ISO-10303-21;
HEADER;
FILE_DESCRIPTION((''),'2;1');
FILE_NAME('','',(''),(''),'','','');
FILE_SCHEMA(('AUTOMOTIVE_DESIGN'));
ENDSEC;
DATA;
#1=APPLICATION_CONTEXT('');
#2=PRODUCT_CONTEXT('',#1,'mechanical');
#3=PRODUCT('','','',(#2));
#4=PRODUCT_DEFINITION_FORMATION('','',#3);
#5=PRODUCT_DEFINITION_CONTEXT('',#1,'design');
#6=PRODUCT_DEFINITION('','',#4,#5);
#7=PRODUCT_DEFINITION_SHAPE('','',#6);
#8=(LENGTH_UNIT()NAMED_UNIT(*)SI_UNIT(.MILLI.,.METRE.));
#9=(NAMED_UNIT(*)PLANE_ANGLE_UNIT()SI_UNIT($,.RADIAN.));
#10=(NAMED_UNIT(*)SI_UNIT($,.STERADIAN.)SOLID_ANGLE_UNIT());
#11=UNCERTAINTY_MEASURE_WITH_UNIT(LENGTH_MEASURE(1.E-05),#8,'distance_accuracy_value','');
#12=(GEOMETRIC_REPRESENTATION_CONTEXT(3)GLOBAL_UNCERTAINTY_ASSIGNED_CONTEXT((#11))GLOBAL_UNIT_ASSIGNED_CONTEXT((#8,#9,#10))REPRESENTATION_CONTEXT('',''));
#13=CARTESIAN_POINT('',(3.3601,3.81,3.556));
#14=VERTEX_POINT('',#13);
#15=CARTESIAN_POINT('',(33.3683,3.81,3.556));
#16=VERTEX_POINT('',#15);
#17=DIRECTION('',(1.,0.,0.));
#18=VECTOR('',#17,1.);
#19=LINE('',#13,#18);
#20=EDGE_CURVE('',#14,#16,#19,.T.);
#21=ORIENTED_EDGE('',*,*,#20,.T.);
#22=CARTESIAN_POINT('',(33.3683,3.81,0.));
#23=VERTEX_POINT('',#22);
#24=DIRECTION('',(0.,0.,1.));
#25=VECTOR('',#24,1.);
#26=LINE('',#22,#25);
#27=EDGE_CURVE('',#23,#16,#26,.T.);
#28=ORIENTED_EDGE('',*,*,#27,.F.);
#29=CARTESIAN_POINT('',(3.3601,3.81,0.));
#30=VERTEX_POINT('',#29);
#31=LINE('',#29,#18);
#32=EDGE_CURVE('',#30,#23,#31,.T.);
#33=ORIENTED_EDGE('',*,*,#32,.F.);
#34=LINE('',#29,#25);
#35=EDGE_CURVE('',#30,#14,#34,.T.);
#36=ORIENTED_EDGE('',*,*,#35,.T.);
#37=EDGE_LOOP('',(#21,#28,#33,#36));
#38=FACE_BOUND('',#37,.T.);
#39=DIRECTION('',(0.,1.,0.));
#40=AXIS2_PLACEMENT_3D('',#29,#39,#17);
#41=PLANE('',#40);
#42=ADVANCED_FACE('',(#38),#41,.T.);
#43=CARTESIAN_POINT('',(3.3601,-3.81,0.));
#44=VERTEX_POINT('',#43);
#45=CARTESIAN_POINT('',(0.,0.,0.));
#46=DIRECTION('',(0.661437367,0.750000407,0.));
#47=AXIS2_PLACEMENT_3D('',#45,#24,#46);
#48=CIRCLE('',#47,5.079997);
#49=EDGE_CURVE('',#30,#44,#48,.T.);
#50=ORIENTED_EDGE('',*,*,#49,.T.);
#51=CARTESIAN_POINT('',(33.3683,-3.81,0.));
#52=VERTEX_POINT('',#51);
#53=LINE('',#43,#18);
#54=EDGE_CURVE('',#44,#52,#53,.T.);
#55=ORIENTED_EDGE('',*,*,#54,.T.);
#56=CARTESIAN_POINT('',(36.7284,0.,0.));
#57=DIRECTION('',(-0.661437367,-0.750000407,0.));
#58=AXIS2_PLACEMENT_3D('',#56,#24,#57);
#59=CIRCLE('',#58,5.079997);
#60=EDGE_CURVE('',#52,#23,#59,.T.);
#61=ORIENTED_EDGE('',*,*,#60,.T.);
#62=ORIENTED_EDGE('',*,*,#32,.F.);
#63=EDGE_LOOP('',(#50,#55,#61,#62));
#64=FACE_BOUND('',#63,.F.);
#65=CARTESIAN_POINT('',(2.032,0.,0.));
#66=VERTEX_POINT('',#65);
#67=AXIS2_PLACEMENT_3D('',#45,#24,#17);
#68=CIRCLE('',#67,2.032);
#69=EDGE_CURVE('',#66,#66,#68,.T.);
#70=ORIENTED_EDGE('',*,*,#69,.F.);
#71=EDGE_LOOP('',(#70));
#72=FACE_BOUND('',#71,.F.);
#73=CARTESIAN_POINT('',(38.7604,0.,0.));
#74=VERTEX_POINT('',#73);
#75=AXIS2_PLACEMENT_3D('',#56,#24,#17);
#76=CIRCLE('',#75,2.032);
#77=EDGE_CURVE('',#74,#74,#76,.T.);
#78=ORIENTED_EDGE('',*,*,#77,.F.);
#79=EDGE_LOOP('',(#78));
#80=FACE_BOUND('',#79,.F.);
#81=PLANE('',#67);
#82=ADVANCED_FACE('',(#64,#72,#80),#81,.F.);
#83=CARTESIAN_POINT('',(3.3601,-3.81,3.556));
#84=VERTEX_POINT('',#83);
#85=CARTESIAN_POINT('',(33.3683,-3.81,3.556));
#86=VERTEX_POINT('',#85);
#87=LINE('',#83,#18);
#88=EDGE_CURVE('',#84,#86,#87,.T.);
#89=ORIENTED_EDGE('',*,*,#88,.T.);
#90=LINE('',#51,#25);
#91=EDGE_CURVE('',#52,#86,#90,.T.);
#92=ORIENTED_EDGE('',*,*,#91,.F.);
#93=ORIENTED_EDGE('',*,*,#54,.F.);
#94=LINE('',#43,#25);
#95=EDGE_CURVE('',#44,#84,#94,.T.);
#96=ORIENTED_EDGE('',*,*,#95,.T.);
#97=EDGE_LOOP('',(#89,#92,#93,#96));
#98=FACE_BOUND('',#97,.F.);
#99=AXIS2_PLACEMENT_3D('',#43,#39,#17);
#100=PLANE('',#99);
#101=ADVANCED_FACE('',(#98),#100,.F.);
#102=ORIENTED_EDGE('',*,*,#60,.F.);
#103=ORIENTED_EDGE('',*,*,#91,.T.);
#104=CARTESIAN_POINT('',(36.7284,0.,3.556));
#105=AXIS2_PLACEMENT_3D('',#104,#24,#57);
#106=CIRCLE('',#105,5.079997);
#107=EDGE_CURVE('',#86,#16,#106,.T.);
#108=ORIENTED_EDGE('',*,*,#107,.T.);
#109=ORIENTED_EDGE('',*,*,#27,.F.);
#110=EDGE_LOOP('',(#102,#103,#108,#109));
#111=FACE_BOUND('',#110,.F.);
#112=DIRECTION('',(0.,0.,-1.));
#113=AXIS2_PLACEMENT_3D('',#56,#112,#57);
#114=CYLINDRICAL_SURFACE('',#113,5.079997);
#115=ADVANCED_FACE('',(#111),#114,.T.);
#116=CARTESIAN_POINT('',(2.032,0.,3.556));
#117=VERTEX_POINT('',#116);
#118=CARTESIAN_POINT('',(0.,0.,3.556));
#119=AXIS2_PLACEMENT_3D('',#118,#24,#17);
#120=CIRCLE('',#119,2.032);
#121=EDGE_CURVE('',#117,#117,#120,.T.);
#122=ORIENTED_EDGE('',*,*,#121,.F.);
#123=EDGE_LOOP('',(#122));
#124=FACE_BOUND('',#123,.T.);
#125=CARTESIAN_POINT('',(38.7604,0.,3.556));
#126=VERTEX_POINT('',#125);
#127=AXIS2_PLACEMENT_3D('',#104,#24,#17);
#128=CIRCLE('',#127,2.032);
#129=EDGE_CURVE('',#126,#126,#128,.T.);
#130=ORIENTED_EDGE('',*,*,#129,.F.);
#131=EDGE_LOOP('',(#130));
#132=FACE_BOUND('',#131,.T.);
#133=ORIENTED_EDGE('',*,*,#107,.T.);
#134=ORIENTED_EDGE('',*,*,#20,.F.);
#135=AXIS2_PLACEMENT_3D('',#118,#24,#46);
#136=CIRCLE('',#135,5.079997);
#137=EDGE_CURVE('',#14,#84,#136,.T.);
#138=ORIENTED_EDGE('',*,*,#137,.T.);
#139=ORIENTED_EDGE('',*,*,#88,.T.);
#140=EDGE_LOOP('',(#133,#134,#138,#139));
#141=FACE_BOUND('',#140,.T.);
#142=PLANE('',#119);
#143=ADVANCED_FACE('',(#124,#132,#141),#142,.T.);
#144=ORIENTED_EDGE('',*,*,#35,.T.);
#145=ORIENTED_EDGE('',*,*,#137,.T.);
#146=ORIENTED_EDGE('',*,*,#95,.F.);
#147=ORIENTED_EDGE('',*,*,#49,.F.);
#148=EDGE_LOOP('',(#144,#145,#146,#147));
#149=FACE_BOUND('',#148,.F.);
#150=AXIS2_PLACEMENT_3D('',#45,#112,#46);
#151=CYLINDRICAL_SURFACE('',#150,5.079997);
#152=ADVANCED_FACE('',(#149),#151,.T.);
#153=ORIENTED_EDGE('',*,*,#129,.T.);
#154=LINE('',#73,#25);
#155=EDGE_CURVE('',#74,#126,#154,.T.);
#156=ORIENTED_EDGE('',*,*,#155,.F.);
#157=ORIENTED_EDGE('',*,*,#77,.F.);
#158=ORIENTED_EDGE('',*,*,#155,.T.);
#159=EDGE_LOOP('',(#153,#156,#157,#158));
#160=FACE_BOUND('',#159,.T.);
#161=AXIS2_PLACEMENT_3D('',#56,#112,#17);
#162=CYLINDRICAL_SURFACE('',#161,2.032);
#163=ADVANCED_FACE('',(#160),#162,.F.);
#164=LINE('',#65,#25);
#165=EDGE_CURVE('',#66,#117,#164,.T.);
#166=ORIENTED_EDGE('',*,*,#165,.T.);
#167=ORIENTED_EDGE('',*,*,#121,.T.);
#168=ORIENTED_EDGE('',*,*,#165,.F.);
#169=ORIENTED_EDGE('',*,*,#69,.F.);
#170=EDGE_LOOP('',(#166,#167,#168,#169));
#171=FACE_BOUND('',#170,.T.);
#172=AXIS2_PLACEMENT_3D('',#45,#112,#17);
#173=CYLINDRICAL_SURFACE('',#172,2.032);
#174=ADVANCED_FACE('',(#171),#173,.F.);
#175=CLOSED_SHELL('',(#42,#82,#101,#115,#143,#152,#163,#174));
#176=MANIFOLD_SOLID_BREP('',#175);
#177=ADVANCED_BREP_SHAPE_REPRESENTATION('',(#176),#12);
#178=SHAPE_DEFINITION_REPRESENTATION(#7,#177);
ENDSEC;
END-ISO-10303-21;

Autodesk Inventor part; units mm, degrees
ref_plane "YZ Plane" through (0, 0, 0) normal (1, 0, 0) x (0, 1, 0)
ref_plane "XZ Plane" through (0, 0, 0) normal (0, 1, 0) x (-1, 0, 0)
ref_plane "XY Plane" through (0, 0, 0) normal (0, 0, 1) x (1, 0, 0)
sketch "Sketch1" plane through (0, 0, 0) normal (0, 0, 1) x (1, 0, 0)
  arc A0 (3.3601, 3.81) -> (3.3601, -3.81) centre (0, 0) ccw
  line L0 (3.3601, 3.81) -> (33.3683, 3.81)
  line L1 (3.3601, -3.81) -> (33.3683, -3.81)
  arc A1 (33.3683, -3.81) -> (33.3683, 3.81) centre (36.7284, 0) ccw
  circle A2 centre (0, 0) radius 2.032
  circle A3 centre (36.7284, 0) radius 2.032
  dimension "d0" = 10.16
  dimension "d1" = 7.62
  dimension "d2" = 3.81
  dimension "d3" = 10.16
  dimension "d4" = 36.7284
  dimension "d5" = 4.064
  dimension "d6" = 4.064
extrude "Extrusion1" add sketch "Sketch1" along normal blind 3.556
equation "\"d2\" = 0.5 * d1"
equation "\"d3\" = d0"
equation "\"d6\" = d5"
properties part number "Arm 2"
